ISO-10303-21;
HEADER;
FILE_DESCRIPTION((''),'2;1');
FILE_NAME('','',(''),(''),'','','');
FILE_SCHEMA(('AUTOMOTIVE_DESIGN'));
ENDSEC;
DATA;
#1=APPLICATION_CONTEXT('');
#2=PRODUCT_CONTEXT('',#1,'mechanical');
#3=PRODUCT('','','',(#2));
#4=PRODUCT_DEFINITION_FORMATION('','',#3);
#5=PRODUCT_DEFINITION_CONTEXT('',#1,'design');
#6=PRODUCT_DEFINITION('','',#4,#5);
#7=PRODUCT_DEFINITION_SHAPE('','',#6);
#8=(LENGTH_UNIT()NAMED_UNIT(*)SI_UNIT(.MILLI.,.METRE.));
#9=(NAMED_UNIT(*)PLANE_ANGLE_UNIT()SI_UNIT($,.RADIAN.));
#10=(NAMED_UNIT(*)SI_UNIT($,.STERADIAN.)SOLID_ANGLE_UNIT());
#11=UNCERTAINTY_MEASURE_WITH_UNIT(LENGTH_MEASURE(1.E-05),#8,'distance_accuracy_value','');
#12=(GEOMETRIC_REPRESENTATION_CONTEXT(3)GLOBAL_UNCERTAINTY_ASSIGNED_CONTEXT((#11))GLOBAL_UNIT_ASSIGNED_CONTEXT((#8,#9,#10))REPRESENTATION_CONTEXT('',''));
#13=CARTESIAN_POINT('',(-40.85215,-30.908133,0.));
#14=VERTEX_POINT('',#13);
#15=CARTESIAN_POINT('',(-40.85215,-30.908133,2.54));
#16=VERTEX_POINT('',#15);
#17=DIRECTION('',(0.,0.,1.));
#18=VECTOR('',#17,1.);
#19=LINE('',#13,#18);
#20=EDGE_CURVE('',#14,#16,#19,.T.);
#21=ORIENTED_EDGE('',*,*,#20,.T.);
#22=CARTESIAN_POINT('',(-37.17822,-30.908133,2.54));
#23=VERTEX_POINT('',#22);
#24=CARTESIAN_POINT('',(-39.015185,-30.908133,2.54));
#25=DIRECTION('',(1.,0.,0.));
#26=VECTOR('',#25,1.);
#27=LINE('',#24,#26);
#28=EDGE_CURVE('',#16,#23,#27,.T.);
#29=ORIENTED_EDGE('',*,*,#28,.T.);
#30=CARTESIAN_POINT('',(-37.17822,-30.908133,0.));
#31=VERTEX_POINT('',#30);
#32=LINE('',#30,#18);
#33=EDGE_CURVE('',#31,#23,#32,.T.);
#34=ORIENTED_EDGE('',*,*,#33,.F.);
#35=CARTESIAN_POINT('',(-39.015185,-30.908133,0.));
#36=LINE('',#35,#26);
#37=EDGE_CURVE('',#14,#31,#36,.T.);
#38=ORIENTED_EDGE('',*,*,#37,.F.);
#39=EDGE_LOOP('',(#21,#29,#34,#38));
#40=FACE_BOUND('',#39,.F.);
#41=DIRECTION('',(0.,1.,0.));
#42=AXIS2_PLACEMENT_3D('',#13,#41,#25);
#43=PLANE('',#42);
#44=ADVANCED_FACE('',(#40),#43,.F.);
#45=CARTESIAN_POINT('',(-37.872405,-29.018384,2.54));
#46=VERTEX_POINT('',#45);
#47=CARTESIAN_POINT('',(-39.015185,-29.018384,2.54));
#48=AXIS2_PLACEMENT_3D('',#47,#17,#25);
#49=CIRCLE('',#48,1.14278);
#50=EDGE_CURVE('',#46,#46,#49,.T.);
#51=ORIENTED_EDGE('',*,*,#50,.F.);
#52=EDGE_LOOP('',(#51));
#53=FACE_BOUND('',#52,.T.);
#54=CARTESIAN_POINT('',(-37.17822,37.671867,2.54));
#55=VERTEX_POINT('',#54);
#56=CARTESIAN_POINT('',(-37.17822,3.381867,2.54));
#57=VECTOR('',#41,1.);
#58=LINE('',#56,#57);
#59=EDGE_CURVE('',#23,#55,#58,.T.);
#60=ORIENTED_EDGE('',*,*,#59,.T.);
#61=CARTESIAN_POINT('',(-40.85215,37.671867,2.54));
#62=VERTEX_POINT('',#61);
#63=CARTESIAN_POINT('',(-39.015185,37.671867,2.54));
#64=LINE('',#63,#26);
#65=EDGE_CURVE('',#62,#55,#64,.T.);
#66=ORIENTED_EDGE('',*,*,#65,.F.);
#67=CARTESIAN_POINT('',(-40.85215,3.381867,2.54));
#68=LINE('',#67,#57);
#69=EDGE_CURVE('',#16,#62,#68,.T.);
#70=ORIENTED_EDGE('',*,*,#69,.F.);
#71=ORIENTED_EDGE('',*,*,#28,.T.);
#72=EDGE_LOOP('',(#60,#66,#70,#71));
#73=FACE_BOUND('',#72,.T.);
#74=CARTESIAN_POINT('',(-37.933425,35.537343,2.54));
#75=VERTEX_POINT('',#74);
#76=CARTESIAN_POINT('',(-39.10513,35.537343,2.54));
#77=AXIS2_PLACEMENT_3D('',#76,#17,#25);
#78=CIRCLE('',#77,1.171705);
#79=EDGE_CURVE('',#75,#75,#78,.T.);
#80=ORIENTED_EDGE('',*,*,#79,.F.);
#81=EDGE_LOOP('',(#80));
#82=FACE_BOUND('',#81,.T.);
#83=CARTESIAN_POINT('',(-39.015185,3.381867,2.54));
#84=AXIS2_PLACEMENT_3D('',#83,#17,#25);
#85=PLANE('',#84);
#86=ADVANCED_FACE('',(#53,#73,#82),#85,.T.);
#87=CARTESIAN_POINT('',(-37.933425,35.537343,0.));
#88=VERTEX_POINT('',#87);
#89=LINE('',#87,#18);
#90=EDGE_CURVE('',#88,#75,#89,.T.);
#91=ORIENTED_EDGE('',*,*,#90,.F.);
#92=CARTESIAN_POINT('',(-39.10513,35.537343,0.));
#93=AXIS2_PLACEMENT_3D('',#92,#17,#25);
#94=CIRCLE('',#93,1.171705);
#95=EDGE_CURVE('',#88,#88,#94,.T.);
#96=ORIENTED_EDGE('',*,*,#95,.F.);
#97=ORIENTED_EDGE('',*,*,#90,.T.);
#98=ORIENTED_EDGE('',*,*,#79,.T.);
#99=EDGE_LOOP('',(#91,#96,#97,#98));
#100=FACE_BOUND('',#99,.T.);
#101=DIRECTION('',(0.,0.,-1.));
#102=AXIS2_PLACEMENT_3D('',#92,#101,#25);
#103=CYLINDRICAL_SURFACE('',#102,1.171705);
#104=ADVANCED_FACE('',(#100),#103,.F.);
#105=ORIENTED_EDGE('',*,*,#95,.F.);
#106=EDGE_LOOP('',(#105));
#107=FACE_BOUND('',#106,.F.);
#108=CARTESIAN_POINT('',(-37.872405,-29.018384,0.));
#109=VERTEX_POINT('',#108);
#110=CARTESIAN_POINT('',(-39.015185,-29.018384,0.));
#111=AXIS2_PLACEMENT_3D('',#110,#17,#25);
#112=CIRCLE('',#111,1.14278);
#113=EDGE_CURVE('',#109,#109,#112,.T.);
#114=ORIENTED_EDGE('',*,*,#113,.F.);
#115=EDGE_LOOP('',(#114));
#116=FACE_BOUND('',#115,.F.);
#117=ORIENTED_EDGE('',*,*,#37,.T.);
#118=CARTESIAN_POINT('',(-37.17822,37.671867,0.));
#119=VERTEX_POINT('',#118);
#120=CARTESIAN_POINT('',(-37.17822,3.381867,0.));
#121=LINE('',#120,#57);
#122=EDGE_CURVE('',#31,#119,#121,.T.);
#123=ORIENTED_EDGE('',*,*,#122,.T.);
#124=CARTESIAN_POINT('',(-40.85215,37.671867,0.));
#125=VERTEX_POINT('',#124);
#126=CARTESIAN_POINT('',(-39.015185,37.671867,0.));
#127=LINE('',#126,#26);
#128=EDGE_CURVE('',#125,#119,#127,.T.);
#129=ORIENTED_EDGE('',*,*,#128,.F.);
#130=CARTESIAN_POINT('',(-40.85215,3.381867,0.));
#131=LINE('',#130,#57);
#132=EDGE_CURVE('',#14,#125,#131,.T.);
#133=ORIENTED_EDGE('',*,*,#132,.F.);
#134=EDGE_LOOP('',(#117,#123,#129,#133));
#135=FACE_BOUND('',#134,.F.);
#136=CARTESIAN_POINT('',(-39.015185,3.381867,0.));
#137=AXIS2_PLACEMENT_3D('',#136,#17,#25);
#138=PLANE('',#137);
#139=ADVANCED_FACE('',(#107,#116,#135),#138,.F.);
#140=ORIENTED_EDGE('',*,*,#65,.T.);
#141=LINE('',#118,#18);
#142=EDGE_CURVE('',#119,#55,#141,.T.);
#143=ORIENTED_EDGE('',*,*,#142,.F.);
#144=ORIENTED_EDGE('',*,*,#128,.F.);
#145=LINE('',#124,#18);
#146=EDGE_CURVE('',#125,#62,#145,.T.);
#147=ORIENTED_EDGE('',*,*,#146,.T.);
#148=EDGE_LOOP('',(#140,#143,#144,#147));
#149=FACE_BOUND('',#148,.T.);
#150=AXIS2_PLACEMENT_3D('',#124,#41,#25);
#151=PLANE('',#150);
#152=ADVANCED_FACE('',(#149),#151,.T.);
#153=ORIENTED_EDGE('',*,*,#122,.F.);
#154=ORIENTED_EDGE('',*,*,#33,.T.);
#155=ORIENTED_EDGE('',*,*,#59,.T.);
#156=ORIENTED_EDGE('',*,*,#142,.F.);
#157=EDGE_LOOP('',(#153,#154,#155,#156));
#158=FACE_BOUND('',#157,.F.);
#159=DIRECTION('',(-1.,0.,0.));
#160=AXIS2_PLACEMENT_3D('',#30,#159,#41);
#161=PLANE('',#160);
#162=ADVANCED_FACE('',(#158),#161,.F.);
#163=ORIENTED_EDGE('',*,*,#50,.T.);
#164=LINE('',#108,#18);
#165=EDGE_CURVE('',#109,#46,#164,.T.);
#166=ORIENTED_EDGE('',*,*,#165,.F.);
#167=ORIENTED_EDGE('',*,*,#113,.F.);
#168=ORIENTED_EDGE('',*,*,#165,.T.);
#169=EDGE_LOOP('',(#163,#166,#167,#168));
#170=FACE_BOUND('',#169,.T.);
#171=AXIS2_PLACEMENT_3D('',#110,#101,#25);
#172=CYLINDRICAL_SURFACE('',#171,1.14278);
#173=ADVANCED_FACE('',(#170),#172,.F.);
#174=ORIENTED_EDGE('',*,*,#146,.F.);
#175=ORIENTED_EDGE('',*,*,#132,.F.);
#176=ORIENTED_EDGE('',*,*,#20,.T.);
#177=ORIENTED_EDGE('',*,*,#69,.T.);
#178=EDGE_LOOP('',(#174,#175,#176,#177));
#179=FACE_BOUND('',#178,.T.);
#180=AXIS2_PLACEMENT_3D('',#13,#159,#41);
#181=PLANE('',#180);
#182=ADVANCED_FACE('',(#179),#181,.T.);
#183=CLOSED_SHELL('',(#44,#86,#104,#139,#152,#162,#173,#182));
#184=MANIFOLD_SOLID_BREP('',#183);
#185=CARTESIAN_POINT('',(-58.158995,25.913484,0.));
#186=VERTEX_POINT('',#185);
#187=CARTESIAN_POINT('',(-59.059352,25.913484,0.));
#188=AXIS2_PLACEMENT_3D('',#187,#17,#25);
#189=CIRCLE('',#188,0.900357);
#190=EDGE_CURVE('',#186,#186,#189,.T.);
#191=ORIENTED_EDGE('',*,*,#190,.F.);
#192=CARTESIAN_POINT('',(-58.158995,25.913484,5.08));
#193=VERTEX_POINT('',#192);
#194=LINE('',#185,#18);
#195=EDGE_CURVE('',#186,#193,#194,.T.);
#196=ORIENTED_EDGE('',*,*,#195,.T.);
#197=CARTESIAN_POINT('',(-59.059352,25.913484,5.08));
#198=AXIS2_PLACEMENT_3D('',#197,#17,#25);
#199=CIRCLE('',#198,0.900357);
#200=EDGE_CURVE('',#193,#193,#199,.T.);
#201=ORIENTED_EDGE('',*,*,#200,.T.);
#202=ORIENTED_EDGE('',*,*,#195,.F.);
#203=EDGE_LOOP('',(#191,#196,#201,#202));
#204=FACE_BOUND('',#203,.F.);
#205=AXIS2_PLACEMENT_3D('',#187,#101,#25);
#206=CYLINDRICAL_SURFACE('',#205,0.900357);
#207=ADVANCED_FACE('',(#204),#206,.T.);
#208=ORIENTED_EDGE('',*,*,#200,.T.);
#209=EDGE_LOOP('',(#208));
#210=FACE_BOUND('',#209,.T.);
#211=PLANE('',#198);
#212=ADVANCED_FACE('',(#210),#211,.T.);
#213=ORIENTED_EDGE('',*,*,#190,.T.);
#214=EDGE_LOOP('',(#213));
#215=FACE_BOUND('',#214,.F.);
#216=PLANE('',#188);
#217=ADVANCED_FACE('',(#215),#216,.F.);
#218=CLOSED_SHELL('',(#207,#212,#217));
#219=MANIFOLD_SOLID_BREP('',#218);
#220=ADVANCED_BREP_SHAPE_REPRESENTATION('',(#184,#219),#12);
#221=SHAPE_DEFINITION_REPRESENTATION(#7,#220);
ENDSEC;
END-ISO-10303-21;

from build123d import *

# Parameters (mm, degrees)
F0_W     = 3.67393
F0_H     = 68.58
F0_R     = 1.14278
F0_R_2   = 1.171705
F1_DEPTH = 2.54
F0_R_3   = 0.900357
F2_DEPTH = 5.08


with BuildPart() as f1:
    # F0 (on Top) → F1 (new body)
    with BuildSketch(Plane.XY):
        with Locations((-39.015185, 3.381867)):
            Rectangle(F0_W, F0_H)
        with Locations((-39.015185, -29.018384)):
            Circle(F0_R, mode=Mode.SUBTRACT)
        with Locations((-39.10513, 35.537343)):
            Circle(F0_R_2, mode=Mode.SUBTRACT)
    extrude(amount=F1_DEPTH)


with BuildPart() as f2:
    # F0 (on Top) → F2 (new body)
    with BuildSketch(Plane.XY):
        with Locations((-59.059352, 25.913484)):
            Circle(F0_R_3)
    extrude(amount=F2_DEPTH)


solid = Compound([f1.part, f2.part])
